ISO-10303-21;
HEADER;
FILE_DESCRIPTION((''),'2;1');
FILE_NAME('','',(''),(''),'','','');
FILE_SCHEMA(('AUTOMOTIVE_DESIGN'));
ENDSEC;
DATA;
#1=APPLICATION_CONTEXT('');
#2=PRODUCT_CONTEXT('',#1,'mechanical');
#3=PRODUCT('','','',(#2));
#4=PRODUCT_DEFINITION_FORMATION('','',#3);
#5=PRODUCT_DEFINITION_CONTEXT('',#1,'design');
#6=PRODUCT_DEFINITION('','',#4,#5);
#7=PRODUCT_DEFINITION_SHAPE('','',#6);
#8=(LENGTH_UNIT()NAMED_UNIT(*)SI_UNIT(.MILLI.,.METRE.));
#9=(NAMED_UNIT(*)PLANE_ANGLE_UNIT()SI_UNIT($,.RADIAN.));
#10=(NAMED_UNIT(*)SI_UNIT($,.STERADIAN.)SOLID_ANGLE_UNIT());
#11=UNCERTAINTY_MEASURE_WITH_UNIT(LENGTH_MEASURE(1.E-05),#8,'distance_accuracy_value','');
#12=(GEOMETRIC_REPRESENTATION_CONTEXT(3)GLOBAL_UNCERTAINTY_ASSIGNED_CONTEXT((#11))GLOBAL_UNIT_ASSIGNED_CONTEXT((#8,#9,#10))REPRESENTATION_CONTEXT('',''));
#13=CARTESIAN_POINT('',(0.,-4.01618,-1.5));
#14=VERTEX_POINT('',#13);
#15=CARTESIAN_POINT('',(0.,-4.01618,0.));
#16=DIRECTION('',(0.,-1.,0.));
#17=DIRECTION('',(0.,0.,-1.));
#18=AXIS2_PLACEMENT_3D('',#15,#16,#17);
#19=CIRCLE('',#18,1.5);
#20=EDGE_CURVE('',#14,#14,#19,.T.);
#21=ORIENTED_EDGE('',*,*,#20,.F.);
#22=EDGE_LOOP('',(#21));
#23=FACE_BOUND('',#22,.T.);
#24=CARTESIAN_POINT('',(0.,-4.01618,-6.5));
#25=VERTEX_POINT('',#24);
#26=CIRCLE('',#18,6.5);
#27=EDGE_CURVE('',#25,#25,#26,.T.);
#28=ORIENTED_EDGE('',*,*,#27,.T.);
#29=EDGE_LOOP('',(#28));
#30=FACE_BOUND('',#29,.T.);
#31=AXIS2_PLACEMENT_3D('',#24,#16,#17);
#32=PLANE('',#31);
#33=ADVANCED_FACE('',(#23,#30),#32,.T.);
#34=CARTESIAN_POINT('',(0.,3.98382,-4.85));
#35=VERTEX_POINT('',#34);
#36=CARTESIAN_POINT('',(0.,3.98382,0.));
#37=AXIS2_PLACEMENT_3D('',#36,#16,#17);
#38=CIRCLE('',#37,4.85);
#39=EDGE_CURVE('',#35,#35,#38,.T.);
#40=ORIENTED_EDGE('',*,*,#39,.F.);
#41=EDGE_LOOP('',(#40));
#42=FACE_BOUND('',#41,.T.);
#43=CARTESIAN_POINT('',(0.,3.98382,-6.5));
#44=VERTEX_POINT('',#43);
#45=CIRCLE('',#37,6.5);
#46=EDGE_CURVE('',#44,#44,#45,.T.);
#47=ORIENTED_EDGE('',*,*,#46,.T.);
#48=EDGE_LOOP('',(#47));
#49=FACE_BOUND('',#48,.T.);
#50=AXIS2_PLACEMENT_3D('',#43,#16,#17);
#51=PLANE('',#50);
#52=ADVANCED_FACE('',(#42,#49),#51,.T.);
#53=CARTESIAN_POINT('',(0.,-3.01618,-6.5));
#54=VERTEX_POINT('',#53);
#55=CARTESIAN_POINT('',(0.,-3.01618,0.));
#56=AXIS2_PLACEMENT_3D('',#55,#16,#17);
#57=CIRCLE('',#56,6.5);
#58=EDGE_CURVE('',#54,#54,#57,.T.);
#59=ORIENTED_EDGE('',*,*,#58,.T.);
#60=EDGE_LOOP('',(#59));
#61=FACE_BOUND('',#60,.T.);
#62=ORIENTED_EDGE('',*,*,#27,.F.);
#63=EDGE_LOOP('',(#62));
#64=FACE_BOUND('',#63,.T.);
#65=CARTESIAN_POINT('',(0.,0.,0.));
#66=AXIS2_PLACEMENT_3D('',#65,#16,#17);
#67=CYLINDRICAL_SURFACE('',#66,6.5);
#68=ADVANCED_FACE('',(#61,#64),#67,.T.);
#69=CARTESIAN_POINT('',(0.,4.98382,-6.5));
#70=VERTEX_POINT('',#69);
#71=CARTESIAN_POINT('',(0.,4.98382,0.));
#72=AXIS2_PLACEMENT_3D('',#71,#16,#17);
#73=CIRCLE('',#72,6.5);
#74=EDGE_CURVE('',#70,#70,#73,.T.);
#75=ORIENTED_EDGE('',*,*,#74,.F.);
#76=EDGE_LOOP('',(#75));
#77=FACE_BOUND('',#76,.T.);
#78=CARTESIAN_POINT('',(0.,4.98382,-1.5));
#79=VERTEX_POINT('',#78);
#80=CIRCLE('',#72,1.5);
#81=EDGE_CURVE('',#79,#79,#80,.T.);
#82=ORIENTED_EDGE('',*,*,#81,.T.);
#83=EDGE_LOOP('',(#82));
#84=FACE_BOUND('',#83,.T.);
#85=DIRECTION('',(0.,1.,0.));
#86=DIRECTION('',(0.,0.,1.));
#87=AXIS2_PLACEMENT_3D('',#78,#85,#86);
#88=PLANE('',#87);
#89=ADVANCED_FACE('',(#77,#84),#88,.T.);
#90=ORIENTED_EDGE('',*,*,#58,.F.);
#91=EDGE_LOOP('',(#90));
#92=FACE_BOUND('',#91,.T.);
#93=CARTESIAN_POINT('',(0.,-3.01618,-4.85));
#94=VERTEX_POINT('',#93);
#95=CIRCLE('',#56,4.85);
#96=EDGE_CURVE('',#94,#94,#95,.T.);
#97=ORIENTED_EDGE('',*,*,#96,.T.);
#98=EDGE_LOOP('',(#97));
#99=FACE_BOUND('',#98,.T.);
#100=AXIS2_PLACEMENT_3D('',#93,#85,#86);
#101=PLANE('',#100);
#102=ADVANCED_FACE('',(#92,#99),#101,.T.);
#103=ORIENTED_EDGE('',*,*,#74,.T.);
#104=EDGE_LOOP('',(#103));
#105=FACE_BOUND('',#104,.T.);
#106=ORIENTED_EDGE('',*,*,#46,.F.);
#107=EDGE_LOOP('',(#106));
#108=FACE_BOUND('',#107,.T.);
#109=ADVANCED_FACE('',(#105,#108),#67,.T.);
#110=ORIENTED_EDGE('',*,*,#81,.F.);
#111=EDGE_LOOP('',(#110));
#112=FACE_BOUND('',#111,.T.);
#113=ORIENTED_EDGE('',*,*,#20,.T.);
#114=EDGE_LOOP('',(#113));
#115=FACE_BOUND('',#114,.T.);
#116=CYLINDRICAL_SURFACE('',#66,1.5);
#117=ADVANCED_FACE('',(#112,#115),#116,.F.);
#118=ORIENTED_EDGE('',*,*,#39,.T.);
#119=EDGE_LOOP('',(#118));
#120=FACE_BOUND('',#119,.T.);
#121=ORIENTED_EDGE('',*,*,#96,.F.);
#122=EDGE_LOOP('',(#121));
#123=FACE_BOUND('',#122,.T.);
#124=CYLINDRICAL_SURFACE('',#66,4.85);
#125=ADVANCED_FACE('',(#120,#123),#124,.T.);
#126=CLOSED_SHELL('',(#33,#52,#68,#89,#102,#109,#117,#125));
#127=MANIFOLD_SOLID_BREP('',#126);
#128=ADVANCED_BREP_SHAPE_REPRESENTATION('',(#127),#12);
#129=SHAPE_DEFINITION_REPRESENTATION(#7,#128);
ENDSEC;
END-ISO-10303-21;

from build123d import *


with BuildPart() as part:
    # Sketch2 → Revolve1 (revolve)
    with BuildSketch(Plane(origin=(0, 0, 0), x_dir=(0, 0, -1), z_dir=(1, 0, 0))):
        Polygon((4.85, 3.983820311), (4.85, -3.016179689), (6.5, -3.016179689), (6.5, -4.016179689), (1.5, -4.016179689), (1.5, 4.983820311), (6.5, 4.983820311), (6.5, 3.983820311), align=None)
    revolve(axis=Axis((0, 0, 0), (0, 1, 0)))


solid = part.part
